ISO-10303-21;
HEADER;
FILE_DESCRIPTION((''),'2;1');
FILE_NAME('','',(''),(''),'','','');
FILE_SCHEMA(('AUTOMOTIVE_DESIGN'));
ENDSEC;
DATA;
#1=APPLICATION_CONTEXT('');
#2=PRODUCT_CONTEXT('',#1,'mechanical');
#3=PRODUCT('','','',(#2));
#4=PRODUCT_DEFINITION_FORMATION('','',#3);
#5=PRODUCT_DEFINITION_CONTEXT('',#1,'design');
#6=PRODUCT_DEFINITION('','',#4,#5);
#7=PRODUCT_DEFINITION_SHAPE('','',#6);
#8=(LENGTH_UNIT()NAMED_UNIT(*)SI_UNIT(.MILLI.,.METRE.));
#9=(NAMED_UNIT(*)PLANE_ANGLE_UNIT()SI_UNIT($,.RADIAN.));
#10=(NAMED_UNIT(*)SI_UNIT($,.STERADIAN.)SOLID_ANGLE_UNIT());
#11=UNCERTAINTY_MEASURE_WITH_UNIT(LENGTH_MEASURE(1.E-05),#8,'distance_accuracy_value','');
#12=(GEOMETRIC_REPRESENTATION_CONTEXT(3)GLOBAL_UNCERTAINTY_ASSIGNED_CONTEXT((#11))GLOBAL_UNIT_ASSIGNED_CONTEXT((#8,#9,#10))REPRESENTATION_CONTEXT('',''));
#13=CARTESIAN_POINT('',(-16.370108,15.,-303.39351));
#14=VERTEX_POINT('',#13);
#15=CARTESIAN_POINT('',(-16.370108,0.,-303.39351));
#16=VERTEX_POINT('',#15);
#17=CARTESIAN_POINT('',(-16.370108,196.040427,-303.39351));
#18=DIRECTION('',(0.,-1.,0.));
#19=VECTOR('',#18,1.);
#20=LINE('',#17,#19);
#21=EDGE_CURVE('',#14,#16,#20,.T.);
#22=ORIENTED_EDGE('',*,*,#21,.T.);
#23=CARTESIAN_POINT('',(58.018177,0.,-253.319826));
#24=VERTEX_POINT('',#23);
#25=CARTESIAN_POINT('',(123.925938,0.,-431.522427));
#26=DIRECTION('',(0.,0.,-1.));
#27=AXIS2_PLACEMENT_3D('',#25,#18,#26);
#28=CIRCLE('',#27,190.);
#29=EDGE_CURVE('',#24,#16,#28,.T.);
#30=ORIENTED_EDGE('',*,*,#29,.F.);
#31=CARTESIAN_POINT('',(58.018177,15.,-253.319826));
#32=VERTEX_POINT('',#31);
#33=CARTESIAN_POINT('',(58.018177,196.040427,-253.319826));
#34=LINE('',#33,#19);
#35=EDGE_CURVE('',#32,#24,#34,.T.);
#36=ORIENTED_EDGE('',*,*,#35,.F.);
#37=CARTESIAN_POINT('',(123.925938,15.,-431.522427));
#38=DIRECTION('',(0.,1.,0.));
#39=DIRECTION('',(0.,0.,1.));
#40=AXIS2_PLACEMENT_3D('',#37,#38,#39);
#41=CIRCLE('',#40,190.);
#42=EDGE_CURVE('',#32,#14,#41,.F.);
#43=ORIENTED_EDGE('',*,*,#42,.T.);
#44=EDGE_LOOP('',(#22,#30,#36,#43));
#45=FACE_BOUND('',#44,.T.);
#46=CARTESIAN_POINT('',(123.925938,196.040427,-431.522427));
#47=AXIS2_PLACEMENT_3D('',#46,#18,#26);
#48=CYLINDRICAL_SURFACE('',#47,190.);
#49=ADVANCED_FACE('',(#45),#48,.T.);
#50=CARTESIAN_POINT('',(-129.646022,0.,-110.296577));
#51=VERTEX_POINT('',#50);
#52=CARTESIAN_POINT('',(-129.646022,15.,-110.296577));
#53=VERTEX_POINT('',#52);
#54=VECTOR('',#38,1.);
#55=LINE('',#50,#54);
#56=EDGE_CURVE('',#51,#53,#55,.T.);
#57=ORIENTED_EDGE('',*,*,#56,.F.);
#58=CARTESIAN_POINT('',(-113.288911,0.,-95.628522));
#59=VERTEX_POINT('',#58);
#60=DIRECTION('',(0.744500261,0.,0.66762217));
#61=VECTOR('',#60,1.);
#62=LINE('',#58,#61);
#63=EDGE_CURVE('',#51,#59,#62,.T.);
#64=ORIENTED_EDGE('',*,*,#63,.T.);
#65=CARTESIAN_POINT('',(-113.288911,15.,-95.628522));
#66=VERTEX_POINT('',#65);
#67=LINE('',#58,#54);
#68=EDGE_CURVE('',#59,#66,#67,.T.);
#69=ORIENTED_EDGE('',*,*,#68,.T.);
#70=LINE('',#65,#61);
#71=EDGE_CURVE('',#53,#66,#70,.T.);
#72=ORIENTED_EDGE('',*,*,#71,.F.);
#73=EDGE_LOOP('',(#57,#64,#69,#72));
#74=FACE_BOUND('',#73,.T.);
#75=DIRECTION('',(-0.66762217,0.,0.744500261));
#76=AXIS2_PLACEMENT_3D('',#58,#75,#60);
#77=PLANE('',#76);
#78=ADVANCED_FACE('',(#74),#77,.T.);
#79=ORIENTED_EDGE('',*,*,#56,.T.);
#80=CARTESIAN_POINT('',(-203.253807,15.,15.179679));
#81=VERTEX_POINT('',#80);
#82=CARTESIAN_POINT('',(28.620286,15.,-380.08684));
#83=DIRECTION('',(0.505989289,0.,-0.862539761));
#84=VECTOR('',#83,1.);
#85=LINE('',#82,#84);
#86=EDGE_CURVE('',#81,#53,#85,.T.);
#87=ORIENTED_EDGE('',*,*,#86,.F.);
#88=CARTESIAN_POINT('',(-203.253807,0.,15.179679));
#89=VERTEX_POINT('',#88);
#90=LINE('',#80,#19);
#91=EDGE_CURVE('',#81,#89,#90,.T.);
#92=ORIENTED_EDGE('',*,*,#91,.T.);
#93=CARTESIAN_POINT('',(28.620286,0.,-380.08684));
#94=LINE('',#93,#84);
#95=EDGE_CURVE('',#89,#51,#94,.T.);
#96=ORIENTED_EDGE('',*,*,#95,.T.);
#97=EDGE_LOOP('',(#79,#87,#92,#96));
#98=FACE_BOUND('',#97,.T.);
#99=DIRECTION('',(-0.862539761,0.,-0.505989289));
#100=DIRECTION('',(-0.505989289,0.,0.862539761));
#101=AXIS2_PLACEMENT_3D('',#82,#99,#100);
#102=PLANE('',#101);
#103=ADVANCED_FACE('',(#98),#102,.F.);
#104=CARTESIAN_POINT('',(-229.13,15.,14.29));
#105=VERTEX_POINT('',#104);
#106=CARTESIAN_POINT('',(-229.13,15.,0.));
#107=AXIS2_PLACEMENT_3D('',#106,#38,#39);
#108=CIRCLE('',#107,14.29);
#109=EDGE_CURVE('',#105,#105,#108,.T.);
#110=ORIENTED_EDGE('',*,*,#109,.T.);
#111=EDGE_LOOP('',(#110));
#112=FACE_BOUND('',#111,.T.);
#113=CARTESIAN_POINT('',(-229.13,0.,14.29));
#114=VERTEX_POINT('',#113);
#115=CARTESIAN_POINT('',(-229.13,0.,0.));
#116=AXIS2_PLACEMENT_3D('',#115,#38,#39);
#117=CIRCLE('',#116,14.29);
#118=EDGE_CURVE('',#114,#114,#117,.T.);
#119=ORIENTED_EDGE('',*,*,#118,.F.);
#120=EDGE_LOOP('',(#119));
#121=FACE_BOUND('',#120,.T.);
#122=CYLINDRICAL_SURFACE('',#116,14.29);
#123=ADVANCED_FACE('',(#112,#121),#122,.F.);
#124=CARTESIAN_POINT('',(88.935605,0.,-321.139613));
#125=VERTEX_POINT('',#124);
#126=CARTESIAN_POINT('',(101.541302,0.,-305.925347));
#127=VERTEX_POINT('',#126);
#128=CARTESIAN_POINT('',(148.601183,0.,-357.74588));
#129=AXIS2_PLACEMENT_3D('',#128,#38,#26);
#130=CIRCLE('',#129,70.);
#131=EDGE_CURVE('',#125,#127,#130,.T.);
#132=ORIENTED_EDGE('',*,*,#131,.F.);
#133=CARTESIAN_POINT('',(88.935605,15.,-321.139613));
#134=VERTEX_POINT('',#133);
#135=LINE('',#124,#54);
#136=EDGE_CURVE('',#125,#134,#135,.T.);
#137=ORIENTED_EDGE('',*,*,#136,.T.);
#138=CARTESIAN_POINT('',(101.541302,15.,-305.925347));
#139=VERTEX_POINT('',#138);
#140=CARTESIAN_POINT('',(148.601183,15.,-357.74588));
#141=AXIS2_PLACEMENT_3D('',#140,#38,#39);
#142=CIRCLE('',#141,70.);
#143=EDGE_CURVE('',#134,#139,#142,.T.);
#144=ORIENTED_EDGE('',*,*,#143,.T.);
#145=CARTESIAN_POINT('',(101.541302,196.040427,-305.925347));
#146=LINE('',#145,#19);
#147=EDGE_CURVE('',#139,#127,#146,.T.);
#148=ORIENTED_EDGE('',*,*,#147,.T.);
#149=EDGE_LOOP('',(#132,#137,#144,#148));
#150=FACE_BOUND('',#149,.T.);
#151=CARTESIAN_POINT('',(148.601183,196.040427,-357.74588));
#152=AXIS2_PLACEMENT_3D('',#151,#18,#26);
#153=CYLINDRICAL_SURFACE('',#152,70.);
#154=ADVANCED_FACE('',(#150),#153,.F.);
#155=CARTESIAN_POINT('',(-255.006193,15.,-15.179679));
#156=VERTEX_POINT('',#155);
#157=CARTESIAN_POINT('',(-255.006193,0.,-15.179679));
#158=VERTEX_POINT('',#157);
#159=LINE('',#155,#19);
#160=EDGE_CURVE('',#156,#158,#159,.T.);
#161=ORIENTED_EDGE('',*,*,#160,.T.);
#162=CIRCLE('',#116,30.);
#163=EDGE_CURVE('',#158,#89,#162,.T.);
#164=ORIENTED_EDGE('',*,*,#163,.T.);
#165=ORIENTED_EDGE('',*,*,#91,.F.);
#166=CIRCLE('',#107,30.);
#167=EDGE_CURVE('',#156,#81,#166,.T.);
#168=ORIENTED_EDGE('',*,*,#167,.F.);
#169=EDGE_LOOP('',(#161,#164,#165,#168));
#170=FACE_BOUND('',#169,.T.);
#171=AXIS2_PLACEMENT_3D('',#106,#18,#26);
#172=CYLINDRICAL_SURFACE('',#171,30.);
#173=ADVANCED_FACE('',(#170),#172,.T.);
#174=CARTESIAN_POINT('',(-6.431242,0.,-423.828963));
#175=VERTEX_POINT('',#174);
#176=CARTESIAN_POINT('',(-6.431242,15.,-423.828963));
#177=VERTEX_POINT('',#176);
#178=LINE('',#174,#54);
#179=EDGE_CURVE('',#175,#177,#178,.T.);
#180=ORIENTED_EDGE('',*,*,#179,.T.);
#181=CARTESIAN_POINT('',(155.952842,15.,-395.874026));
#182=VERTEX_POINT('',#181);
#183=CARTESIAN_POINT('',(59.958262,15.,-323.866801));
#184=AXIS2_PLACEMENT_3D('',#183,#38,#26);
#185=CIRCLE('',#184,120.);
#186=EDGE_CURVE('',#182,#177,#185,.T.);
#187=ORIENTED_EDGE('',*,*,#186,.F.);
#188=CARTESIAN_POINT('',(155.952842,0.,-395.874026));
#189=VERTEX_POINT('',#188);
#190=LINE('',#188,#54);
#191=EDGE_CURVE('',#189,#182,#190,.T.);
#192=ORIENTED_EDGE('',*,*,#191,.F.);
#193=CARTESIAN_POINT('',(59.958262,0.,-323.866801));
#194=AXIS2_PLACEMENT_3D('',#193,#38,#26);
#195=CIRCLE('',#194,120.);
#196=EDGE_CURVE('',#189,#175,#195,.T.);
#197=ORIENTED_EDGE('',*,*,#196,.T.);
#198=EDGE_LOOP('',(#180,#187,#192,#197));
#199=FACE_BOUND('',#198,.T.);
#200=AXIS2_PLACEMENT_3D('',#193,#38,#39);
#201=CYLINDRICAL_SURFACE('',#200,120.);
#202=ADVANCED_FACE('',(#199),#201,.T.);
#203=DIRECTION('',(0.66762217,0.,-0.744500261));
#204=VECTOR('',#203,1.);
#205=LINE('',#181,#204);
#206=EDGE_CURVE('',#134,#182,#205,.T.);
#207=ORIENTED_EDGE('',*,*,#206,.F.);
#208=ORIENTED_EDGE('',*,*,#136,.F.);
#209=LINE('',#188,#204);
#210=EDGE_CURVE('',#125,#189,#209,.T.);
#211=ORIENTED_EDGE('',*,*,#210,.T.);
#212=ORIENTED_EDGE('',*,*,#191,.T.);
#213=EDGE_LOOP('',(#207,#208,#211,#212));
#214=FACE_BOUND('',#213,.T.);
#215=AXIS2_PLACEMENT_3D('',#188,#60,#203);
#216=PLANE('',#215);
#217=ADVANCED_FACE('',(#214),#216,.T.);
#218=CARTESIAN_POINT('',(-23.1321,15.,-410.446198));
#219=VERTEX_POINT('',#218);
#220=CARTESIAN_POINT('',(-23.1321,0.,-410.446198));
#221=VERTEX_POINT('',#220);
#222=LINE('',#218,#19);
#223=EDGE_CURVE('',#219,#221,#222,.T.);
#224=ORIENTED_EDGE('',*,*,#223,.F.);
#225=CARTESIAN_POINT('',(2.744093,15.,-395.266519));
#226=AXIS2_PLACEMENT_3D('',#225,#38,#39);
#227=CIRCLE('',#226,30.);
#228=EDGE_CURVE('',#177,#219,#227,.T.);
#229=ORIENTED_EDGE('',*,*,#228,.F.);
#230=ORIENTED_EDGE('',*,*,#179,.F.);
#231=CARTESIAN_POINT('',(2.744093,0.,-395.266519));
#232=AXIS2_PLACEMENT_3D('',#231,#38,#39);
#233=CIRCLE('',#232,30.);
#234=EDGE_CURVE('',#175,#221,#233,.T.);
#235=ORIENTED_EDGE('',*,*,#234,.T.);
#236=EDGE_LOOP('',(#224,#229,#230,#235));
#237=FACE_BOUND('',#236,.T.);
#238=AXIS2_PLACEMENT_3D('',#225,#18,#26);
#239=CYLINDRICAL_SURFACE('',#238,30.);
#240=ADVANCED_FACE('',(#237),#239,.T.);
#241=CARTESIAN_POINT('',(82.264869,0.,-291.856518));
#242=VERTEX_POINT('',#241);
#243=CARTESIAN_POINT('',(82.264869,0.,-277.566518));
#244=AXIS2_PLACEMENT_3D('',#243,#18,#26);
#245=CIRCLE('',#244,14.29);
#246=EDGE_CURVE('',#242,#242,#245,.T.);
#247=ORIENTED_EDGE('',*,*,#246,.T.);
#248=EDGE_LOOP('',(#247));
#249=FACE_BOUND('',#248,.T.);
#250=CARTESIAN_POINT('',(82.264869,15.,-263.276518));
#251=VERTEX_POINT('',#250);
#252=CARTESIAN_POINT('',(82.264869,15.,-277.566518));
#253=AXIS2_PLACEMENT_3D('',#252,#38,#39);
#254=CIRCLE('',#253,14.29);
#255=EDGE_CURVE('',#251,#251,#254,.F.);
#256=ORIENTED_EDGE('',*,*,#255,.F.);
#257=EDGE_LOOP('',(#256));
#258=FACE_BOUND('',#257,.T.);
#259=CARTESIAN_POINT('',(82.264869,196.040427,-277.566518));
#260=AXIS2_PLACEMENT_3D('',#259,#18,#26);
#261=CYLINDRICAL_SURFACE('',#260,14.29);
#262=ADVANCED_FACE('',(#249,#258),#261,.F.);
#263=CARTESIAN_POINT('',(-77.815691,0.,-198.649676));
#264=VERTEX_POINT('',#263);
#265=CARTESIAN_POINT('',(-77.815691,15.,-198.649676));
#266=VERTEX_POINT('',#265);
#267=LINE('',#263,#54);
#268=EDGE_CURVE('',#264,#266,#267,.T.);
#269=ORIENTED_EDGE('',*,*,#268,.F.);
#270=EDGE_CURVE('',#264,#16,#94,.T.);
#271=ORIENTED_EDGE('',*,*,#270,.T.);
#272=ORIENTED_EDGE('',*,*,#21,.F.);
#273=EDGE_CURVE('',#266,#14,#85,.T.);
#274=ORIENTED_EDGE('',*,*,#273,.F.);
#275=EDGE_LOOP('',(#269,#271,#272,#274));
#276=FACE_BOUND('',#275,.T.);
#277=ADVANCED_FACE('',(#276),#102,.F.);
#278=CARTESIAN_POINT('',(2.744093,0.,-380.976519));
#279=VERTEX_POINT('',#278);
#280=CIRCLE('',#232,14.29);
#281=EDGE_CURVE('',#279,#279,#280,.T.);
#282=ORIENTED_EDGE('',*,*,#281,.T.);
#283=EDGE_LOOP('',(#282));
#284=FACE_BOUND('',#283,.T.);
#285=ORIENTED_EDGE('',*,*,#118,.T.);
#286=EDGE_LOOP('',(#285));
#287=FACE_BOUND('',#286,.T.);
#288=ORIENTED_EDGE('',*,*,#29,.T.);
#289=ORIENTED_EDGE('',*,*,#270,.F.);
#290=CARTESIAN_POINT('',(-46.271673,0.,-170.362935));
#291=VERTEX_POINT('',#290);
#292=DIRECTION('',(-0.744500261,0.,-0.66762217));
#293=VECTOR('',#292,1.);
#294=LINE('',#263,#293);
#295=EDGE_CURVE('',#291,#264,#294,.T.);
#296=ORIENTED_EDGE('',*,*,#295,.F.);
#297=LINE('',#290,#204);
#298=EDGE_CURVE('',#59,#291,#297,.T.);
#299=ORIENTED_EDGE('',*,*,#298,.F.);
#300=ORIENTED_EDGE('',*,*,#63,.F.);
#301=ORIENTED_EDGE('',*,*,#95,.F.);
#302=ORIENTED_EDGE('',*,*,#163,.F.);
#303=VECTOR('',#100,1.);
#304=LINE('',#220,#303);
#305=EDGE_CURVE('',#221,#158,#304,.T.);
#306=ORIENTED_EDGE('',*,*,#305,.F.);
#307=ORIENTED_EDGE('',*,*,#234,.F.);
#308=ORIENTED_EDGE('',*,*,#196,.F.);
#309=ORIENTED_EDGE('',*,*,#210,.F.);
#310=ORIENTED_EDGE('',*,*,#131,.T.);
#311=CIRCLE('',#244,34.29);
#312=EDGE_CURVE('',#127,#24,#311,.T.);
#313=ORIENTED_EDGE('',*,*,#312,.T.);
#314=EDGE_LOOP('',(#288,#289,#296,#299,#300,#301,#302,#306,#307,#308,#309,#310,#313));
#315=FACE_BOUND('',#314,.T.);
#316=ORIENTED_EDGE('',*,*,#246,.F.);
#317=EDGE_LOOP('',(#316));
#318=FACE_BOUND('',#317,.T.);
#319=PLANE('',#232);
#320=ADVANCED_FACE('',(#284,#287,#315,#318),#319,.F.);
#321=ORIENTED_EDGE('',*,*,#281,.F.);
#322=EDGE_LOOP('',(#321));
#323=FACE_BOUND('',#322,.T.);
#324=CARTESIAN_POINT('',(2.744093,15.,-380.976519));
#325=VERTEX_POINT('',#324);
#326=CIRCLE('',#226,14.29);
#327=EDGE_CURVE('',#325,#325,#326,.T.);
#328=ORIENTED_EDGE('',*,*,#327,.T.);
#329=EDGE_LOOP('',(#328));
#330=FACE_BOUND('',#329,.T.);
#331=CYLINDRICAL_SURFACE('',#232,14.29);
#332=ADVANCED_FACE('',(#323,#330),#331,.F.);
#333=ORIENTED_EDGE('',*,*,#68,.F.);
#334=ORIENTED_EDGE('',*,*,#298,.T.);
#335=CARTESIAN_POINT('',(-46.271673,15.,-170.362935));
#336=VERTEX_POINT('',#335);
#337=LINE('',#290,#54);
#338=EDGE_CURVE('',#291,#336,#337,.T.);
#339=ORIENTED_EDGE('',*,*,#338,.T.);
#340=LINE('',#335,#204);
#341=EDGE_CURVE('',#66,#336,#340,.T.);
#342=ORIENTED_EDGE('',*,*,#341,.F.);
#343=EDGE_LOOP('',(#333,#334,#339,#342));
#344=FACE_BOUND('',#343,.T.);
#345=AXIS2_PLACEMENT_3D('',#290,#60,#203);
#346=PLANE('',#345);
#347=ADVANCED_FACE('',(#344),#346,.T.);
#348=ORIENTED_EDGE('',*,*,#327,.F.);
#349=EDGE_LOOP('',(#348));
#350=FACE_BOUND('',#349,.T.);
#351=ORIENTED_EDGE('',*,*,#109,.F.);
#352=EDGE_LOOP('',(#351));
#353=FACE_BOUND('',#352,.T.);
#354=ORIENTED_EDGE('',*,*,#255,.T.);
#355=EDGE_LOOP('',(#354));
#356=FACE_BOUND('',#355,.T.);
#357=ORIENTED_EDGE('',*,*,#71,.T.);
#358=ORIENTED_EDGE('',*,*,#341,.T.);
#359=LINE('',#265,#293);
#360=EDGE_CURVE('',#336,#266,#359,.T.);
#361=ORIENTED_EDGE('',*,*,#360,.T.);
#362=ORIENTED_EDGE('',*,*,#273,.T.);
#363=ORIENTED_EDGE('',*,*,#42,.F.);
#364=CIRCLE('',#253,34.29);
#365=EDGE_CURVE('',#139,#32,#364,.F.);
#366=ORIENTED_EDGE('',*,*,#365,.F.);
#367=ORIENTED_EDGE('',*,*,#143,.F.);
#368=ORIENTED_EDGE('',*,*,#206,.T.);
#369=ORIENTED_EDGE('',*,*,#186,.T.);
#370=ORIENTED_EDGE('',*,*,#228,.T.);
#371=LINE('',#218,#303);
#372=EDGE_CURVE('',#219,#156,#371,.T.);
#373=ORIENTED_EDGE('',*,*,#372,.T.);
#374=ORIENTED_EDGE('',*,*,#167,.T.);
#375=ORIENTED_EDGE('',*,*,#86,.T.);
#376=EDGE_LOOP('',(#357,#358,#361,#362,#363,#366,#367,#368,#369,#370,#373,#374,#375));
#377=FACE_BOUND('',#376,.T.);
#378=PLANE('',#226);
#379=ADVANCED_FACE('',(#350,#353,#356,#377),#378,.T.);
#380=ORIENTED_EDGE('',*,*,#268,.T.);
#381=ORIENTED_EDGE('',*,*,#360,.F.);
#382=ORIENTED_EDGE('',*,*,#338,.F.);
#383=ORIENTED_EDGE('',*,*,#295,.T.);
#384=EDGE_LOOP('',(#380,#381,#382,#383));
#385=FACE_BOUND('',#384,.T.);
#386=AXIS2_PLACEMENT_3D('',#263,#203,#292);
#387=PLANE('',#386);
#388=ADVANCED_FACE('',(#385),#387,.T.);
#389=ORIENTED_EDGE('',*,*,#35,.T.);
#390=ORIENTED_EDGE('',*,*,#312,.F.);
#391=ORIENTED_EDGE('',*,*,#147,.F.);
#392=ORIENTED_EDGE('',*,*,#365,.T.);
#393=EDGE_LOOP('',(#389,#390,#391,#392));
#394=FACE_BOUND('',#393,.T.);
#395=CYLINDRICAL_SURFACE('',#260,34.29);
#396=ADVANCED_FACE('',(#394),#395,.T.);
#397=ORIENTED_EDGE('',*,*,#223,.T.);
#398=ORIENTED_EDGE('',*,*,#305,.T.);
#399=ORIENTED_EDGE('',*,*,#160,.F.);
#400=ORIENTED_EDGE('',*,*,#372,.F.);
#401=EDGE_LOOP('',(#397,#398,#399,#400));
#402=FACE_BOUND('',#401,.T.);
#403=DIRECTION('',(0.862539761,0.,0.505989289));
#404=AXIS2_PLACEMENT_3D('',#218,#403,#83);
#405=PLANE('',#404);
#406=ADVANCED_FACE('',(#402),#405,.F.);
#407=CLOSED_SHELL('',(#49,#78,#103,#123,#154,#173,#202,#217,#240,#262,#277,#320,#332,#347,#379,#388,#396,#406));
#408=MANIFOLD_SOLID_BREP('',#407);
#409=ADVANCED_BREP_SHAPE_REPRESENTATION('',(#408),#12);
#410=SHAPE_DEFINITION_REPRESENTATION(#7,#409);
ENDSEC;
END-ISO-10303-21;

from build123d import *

# Parameters (mm, degrees)
SALIENTE_EXTRUIR1_DEPTH = 15
CROQUIS3_R              = 14.29
CORTAR_EXTRUIR2_DEPTH   = 499.221807184
SALIENTE_EXTRUIR2_DEPTH = 15
SALIENTE_EXTRUIR3_DEPTH = 15
CROQUIS6_R              = 14.29
SALIENTE_EXTRUIR4_DEPTH = 15


with BuildPart() as part:
    # Croquis1 → Saliente-Extruir1 (new body)
    with BuildSketch(Plane(origin=(0, 0, 0), x_dir=(1, 0, 0), z_dir=(0, 1, 0))):
        with BuildLine():
            Line((28.62028588, 380.086840422), (-203.253807163, -15.179678662))
            ThreePointArc((-203.253807163, -15.179678662), (-244.309678662, -25.876192837), (-255.006192837, 15.179678662))
            Line((-255.006192837, 15.179678662), (-23.132099794, 410.446197745))
            ThreePointArc((-23.132099794, 410.446197745), (17.923771705, 421.142711921), (28.62028588, 380.086840422))
        make_face()
    extrude(amount=SALIENTE_EXTRUIR1_DEPTH)

    # Croquis3 → Cortar-Extruir2 (cut, through all)
    with BuildSketch(Plane(origin=(0, 15, 0), x_dir=(1, 0, 0), z_dir=(0, 1, 0))):
        with Locations(Location((-229.13, 0, 0), (0, 0, 270))):
            Circle(CROQUIS3_R)
        with Locations(Location((2.744093043, 395.266519084, 0), (0, 0, 270))):
            Circle(CROQUIS3_R)
    extrude(amount=-CORTAR_EXTRUIR2_DEPTH, mode=Mode.SUBTRACT)

    # Croquis4 → Saliente-Extruir2 (add, through all)
    with BuildSketch(Plane(origin=(0, 15, 0), x_dir=(1, 0, 0), z_dir=(0, 1, 0))):
        Polygon((-113.288910537, 95.628521871), (-129.646022382, 110.296576517), (-77.815690841, 198.649675659), (-46.271672707, 170.362934935), align=None)
    extrude(amount=-SALIENTE_EXTRUIR2_DEPTH)

    # Croquis5 → Saliente-Extruir3 (add, through all)
    with BuildSketch(Plane(origin=(0, 15, 0), x_dir=(1, 0, 0), z_dir=(0, 1, 0))):
        with BuildLine():
            Line((155.952842447, 395.874026356), (88.935604616, 321.139613292))
            ThreePointArc((88.935604616, 321.139613292), (53.823388605, 345.447170601), (11.459302657, 350.833196717))
            Line((11.459302657, 350.833196717), (21.614505852, 387.987304257))
            Line((21.614505852, 387.987304257), (17.093708134, 410.446197745))
            Line((17.093708134, 410.446197745), (-23.132099794, 410.446197745))
            ThreePointArc((-23.132099794, 410.446197745), (-16.015624614, 418.677477916), (-6.431242037, 423.828963415))
            ThreePointArc((-6.431242037, 423.828963415), (80.317160754, 442.127171951), (155.952842447, 395.874026356))
        make_face()
    extrude(amount=-SALIENTE_EXTRUIR3_DEPTH)

    # Croquis6 → Saliente-Extruir4 (add)
    with BuildSketch(Plane(origin=(0, 0, 0), x_dir=(-1, 0, 0), z_dir=(0, -1, 0))):
        with BuildLine():
            Line((16.370108222, 303.393509849), (-7.031750258, 366.185372475))
            Line((-7.031750258, 366.185372475), (-88.935604616, 345.894949454))
            Line((-88.935604616, 345.894949454), (-88.935604616, 321.139613292))
            ThreePointArc((-88.935604616, 321.139613292), (-94.698962335, 313.085487939), (-101.541302009, 305.925347215))
            ThreePointArc((-101.541302009, 305.925347215), (-108.68476793, 255.708040538), (-58.018177093, 253.319826096))
            ThreePointArc((-58.018177093, 253.319826096), (-17.827653511, 273.905315038), (16.370108222, 303.393509849))
        make_face()
        with Locations(Location((-82.26486862, 277.566517623, 0), (0, 0, 90))):
            Circle(CROQUIS6_R, mode=Mode.SUBTRACT)
    extrude(amount=-SALIENTE_EXTRUIR4_DEPTH)


solid = part.part
